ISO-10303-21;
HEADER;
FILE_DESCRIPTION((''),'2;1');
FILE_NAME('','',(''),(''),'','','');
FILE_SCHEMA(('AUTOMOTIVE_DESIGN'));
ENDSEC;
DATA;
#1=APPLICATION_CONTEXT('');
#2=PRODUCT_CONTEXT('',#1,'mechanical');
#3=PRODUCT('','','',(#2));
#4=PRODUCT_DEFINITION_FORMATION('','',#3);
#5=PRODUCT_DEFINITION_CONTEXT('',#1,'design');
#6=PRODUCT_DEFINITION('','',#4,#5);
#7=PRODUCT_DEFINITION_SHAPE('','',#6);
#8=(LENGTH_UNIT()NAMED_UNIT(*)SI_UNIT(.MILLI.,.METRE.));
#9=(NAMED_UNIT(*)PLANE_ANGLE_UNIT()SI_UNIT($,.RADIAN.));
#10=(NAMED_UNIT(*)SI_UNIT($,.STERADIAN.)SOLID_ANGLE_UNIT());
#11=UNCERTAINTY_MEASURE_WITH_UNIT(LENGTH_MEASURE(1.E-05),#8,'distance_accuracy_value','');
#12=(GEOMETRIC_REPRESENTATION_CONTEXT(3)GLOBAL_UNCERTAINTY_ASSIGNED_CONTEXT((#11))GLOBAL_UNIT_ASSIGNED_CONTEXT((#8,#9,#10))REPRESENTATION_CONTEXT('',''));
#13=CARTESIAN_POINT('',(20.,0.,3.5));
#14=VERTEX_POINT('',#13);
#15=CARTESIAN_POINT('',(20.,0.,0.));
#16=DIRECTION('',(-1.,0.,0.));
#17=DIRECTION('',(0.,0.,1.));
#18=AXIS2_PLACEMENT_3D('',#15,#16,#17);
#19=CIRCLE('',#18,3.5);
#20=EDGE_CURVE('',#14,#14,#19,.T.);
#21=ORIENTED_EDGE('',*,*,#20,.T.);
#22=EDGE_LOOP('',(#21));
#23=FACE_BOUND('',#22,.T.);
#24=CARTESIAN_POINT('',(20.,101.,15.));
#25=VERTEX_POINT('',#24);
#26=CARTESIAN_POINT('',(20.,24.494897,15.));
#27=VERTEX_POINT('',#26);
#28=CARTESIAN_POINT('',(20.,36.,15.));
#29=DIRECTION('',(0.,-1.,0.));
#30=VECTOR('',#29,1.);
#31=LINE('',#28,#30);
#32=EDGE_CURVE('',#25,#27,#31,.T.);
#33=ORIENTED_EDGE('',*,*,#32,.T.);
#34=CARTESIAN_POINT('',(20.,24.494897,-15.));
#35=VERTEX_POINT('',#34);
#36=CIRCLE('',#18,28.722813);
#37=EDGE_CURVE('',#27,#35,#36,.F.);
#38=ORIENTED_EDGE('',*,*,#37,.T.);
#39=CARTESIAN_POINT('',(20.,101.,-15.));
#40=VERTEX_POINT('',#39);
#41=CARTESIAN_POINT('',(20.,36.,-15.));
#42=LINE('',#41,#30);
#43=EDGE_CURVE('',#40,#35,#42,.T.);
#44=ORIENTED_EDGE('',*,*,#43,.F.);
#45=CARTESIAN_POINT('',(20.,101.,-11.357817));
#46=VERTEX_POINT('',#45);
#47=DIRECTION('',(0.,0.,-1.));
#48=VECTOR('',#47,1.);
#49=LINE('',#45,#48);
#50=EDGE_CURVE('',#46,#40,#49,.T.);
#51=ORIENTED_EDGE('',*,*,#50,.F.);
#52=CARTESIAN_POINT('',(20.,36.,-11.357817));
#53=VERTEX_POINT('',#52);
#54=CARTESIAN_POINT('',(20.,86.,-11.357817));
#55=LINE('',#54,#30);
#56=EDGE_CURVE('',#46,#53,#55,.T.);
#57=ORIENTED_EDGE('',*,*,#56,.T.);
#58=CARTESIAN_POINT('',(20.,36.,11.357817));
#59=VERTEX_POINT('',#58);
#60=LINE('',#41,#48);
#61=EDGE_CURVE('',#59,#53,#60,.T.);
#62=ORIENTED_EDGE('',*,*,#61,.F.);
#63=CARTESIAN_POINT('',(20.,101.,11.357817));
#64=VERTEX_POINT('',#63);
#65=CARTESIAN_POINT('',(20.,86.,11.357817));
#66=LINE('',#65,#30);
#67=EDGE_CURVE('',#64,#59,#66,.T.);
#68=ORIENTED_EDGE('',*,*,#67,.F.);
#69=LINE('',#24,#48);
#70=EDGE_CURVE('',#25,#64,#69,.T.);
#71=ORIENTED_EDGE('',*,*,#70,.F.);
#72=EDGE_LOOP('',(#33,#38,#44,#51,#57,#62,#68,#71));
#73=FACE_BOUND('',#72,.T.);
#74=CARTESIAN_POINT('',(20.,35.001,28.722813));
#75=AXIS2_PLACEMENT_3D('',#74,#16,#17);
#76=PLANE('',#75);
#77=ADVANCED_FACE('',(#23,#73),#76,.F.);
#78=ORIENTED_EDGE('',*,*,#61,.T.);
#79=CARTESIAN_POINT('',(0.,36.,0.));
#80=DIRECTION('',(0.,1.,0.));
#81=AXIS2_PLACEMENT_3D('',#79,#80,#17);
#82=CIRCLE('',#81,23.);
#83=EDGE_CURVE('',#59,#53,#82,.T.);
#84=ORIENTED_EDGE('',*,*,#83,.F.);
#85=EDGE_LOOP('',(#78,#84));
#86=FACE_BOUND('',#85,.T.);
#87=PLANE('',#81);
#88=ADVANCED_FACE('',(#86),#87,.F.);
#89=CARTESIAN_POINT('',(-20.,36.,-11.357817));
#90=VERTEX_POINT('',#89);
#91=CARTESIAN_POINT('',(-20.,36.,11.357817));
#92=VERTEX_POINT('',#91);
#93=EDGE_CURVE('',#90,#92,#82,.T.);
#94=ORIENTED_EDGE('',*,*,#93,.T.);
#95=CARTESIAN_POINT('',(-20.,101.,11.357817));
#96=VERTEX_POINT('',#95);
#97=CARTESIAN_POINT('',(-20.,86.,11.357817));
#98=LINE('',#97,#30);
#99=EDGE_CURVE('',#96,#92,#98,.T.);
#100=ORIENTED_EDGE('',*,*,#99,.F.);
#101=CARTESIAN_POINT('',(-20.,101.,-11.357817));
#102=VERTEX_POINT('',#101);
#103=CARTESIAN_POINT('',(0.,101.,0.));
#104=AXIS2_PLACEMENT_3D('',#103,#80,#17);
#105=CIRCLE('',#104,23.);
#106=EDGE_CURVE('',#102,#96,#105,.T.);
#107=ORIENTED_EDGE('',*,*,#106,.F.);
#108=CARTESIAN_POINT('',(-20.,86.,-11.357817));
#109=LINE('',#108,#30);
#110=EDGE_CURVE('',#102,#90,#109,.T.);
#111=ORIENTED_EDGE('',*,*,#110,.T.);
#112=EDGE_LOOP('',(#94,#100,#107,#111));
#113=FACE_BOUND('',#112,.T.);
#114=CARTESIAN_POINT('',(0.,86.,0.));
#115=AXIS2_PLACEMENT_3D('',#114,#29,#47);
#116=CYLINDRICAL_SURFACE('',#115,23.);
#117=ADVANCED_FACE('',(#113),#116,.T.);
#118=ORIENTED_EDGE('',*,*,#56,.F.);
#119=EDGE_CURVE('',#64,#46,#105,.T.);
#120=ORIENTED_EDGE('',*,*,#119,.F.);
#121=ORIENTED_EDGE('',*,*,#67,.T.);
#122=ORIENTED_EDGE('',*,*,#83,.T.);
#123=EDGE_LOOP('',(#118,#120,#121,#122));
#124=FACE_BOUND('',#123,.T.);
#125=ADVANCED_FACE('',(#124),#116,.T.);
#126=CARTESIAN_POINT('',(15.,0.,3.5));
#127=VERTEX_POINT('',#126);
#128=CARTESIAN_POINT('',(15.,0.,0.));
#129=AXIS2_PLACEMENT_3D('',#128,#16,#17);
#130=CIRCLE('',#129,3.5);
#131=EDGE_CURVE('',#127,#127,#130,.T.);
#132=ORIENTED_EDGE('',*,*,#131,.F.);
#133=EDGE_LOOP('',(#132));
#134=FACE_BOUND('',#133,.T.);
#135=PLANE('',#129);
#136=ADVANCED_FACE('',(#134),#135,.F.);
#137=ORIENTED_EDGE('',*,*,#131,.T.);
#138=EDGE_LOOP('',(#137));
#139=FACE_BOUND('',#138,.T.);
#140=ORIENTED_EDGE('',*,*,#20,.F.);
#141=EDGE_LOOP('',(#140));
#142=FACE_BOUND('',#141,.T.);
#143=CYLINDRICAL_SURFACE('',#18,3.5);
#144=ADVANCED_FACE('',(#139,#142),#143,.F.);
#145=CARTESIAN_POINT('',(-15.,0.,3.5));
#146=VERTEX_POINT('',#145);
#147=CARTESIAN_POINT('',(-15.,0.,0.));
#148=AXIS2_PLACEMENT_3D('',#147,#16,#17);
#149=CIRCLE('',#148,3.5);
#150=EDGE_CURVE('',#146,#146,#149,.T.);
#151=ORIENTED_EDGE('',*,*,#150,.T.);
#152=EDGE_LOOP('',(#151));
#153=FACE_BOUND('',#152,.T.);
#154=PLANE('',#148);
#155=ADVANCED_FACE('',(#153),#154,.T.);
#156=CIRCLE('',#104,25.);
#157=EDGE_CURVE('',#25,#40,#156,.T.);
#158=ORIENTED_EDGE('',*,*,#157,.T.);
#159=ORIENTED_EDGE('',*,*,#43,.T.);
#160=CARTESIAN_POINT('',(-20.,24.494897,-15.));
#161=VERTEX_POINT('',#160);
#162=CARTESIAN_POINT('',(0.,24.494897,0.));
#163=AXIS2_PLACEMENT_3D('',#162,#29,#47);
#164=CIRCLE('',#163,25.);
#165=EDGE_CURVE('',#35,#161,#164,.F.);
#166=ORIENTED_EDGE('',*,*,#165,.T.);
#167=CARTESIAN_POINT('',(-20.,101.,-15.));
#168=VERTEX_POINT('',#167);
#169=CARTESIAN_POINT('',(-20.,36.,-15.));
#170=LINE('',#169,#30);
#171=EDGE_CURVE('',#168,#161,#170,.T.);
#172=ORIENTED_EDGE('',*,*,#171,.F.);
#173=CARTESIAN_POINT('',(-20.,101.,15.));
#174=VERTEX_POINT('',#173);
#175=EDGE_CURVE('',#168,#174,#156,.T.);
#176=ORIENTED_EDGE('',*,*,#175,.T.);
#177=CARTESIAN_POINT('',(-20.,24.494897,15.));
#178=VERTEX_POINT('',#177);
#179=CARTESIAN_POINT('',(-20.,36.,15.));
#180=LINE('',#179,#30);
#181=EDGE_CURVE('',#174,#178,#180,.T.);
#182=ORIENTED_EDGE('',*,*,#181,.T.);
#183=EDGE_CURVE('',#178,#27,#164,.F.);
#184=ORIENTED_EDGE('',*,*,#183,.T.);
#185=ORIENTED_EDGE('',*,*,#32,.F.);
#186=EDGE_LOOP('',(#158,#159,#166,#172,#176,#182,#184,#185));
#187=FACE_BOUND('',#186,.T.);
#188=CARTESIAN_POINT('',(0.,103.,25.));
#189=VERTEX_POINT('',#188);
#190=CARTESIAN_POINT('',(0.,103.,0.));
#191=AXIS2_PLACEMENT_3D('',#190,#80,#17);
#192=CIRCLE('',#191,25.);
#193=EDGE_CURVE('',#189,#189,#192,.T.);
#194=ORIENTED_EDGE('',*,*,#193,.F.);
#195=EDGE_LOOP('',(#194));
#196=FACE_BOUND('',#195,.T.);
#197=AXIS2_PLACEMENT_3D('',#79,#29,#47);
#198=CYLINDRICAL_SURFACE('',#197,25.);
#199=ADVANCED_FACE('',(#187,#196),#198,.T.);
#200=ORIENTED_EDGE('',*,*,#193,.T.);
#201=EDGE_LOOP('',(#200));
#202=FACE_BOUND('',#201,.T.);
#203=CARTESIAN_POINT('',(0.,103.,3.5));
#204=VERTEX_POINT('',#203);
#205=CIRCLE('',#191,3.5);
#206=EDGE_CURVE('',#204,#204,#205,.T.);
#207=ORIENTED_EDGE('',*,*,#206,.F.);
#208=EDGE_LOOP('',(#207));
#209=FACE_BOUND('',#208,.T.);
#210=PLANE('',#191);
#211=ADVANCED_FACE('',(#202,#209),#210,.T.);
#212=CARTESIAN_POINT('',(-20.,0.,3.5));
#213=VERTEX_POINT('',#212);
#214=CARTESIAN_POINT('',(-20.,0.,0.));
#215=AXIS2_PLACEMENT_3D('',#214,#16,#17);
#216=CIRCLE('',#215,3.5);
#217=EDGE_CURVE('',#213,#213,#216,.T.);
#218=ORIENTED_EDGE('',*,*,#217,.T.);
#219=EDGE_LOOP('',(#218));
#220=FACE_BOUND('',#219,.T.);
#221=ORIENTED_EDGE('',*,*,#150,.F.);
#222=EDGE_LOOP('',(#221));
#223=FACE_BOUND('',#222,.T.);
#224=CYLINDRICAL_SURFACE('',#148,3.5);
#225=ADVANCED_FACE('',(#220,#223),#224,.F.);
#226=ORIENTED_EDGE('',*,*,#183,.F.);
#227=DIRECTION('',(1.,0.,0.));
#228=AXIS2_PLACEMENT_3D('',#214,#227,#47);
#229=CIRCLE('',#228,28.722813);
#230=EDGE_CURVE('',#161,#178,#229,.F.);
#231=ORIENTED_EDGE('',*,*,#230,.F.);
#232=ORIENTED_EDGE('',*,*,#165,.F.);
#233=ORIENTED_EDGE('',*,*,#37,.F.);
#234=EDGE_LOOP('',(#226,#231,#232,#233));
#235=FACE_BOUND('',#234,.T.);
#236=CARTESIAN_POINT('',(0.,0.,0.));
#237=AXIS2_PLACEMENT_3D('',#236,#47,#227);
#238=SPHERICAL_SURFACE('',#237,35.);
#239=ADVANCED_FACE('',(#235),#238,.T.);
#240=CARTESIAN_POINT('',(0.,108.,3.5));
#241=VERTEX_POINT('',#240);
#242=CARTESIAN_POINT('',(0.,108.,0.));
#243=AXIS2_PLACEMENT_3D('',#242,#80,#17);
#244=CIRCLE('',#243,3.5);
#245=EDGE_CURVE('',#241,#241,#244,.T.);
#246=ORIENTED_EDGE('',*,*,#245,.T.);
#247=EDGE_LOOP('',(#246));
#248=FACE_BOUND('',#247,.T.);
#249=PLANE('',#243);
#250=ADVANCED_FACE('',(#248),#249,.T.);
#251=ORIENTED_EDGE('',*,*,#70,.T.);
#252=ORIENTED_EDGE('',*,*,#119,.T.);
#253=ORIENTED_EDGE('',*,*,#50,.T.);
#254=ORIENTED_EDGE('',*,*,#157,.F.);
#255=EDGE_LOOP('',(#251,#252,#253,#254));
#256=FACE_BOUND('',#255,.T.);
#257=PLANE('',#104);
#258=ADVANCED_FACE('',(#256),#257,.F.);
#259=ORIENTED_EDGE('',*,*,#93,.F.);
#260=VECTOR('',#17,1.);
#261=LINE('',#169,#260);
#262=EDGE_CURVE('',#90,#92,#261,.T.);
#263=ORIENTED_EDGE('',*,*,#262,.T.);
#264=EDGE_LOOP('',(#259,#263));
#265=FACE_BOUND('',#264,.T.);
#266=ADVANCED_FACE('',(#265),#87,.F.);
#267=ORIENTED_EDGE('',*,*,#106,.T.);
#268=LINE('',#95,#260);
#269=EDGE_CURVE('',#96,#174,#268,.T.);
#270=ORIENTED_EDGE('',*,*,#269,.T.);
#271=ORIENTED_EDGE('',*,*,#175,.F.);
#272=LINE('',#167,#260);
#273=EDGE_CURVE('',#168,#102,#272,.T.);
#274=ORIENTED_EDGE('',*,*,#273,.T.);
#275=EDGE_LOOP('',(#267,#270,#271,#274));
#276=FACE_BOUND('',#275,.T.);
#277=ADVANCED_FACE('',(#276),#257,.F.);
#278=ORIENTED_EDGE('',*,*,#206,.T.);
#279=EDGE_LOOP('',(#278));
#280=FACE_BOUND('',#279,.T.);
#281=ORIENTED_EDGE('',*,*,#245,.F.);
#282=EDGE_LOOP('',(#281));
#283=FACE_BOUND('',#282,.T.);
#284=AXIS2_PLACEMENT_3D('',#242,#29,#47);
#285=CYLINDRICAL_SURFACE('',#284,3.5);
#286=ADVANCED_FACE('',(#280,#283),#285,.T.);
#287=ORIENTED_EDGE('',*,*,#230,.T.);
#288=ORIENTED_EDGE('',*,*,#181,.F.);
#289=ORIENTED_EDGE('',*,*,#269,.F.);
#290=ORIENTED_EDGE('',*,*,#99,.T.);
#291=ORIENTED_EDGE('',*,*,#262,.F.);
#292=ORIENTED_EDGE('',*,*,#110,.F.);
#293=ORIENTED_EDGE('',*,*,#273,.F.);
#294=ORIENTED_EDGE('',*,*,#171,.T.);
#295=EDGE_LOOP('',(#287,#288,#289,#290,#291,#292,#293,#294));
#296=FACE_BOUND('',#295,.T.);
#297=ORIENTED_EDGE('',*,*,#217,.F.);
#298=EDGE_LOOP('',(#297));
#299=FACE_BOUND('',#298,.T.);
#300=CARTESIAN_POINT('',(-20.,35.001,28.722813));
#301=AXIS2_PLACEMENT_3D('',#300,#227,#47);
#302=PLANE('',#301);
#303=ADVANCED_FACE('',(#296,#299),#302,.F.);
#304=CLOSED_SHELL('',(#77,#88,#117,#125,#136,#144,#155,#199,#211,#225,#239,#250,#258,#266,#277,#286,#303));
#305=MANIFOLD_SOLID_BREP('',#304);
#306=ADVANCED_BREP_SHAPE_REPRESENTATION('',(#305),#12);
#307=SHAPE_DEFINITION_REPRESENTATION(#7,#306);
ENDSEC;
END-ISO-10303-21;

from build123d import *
from build123d.topology import SkipClean

# Parameters (mm, degrees)
CUT_EXTRUDE1_DEPTH      = 35
CUT_EXTRUDE1_DEPTH_BACK = 35
SKETCH2_OUTSIDE_W       = 96.248
SKETCH2_OUTSIDE_H       = 96.248
BOSS_EXTRUDE1_DEPTH     = 36
SKETCH4_R               = 3.5
CUT_EXTRUDE2_DEPTH      = 5
LPATTERN1_COUNT         = 2
LPATTERN1_PITCH         = 35
BOSS_EXTRUDE2_DEPTH     = 50
BOSS_EXTRUDE6_DEPTH     = 15
SKETCH10_R              = 25
BOSS_EXTRUDE7_DEPTH     = 2
SKETCH11_R              = 3.5
BOSS_EXTRUDE8_DEPTH     = 5


with BuildPart() as part:
    # Sketch1 → Revolve2 (revolve)
    with BuildSketch(Plane(origin=(0, 0, 0), x_dir=(1, 0, 0), z_dir=(0, 1, 0))):
        with BuildLine():
            Line((0, 35), (0, -35))
            ThreePointArc((0, -35), (35, 0), (0, 35))
        make_face()
    revolve(axis=Axis((0, 0, -35), (0, 0, 1)))

    # Sketch2 outside → Cut-Extrude1 (cut, two sides: drawn at the far end of the back side and taken through both)
    with SkipClean():  # the faces are left unmerged after this step: merging them gives an invalid solid
        with BuildSketch(Plane(origin=(0, 0, 0), x_dir=(1, 0, 0), z_dir=(0, 1, 0)).offset(-CUT_EXTRUDE1_DEPTH_BACK)):
            Rectangle(SKETCH2_OUTSIDE_W, SKETCH2_OUTSIDE_H)
            with BuildLine():
                Line((-20, -28.722813233), (-20, 28.722813233))
                ThreePointArc((-20, 28.722813233), (0, 35), (20, 28.722813233))
                Line((20, 28.722813233), (20, -28.722813233))
                ThreePointArc((20, -28.722813233), (0, -35), (-20, -28.722813233))
            make_face(mode=Mode.SUBTRACT)
        extrude(amount=CUT_EXTRUDE1_DEPTH + CUT_EXTRUDE1_DEPTH_BACK, mode=Mode.SUBTRACT)

    # Sketch3 → Boss-Extrude1 (add)
    with BuildSketch(Plane(origin=(0, 0, 0), x_dir=(1, 0, 0), z_dir=(0, 1, 0))):
        with BuildLine():
            Line((-20, 15), (-20, -15))
            ThreePointArc((-20, -15), (0, -25), (20, -15))
            Line((20, -15), (20, 15))
            ThreePointArc((20, 15), (0, 25), (-20, 15))
        make_face()
    extrude(amount=BOSS_EXTRUDE1_DEPTH)

    # Sketch4 → Cut-Extrude2 (cut)
    with BuildSketch(Plane.ZY.offset(20)):
        Circle(SKETCH4_R)
    cut_extrude2 = extrude(amount=-CUT_EXTRUDE2_DEPTH, mode=Mode.SUBTRACT)

    # LPattern1: Cut-Extrude2 ×2
    with Locations(*[(i * LPATTERN1_PITCH, 0, 0) for i in range(1, LPATTERN1_COUNT)]):
        add(cut_extrude2, mode=Mode.SUBTRACT)

    # Sketch5 → Boss-Extrude2 (add)
    with BuildSketch(Plane(origin=(0, 36, 0), x_dir=(1, 0, 0), z_dir=(0, 1, 0))):
        with BuildLine():
            Line((-20, 15), (-20, 11.357816692))
            ThreePointArc((-20, 11.357816692), (-23, 0), (-20, -11.357816692))
            Line((-20, -11.357816692), (-20, -15))
            ThreePointArc((-20, -15), (0, -25), (20, -15))
            Line((20, -15), (20, -11.357816692))
            ThreePointArc((20, -11.357816692), (23, 0), (20, 11.357816692))
            Line((20, 11.357816692), (20, 15))
            ThreePointArc((20, 15), (0, 25), (-20, 15))
        make_face()
    extrude(amount=BOSS_EXTRUDE2_DEPTH)

    # Sketch9 → Boss-Extrude6 (add)
    with BuildSketch(Plane(origin=(0, 86, 0), x_dir=(1, 0, 0), z_dir=(0, 1, 0))):
        with BuildLine():
            Line((20, 11.357816692), (20, 15))
            ThreePointArc((20, 15), (0, 25), (-20, 15))
            Line((-20, 15), (-20, 11.357816692))
            ThreePointArc((-20, 11.357816692), (-23, 0), (-20, -11.357816692))
            Line((-20, -11.357816692), (-20, -15))
            ThreePointArc((-20, -15), (0, -25), (20, -15))
            Line((20, -15), (20, -11.357816692))
            ThreePointArc((20, -11.357816692), (23, 0), (20, 11.357816692))
        make_face()
    extrude(amount=BOSS_EXTRUDE6_DEPTH)

    # Sketch10 → Boss-Extrude7 (add)
    with BuildSketch(Plane(origin=(0, 101, 0), x_dir=(1, 0, 0), z_dir=(0, 1, 0))):
        with Locations(Location((0, 0, 0), (0, 0, 36.869897646))):
            Circle(SKETCH10_R)
    extrude(amount=BOSS_EXTRUDE7_DEPTH)

    # Sketch11 → Boss-Extrude8 (add)
    with BuildSketch(Plane(origin=(0, 103, 0), x_dir=(1, 0, 0), z_dir=(0, 1, 0))):
        with Locations(Location((0, 0, 0), (0, 0, 270))):
            Circle(SKETCH11_R)
    extrude(amount=BOSS_EXTRUDE8_DEPTH)


solid = part.part
